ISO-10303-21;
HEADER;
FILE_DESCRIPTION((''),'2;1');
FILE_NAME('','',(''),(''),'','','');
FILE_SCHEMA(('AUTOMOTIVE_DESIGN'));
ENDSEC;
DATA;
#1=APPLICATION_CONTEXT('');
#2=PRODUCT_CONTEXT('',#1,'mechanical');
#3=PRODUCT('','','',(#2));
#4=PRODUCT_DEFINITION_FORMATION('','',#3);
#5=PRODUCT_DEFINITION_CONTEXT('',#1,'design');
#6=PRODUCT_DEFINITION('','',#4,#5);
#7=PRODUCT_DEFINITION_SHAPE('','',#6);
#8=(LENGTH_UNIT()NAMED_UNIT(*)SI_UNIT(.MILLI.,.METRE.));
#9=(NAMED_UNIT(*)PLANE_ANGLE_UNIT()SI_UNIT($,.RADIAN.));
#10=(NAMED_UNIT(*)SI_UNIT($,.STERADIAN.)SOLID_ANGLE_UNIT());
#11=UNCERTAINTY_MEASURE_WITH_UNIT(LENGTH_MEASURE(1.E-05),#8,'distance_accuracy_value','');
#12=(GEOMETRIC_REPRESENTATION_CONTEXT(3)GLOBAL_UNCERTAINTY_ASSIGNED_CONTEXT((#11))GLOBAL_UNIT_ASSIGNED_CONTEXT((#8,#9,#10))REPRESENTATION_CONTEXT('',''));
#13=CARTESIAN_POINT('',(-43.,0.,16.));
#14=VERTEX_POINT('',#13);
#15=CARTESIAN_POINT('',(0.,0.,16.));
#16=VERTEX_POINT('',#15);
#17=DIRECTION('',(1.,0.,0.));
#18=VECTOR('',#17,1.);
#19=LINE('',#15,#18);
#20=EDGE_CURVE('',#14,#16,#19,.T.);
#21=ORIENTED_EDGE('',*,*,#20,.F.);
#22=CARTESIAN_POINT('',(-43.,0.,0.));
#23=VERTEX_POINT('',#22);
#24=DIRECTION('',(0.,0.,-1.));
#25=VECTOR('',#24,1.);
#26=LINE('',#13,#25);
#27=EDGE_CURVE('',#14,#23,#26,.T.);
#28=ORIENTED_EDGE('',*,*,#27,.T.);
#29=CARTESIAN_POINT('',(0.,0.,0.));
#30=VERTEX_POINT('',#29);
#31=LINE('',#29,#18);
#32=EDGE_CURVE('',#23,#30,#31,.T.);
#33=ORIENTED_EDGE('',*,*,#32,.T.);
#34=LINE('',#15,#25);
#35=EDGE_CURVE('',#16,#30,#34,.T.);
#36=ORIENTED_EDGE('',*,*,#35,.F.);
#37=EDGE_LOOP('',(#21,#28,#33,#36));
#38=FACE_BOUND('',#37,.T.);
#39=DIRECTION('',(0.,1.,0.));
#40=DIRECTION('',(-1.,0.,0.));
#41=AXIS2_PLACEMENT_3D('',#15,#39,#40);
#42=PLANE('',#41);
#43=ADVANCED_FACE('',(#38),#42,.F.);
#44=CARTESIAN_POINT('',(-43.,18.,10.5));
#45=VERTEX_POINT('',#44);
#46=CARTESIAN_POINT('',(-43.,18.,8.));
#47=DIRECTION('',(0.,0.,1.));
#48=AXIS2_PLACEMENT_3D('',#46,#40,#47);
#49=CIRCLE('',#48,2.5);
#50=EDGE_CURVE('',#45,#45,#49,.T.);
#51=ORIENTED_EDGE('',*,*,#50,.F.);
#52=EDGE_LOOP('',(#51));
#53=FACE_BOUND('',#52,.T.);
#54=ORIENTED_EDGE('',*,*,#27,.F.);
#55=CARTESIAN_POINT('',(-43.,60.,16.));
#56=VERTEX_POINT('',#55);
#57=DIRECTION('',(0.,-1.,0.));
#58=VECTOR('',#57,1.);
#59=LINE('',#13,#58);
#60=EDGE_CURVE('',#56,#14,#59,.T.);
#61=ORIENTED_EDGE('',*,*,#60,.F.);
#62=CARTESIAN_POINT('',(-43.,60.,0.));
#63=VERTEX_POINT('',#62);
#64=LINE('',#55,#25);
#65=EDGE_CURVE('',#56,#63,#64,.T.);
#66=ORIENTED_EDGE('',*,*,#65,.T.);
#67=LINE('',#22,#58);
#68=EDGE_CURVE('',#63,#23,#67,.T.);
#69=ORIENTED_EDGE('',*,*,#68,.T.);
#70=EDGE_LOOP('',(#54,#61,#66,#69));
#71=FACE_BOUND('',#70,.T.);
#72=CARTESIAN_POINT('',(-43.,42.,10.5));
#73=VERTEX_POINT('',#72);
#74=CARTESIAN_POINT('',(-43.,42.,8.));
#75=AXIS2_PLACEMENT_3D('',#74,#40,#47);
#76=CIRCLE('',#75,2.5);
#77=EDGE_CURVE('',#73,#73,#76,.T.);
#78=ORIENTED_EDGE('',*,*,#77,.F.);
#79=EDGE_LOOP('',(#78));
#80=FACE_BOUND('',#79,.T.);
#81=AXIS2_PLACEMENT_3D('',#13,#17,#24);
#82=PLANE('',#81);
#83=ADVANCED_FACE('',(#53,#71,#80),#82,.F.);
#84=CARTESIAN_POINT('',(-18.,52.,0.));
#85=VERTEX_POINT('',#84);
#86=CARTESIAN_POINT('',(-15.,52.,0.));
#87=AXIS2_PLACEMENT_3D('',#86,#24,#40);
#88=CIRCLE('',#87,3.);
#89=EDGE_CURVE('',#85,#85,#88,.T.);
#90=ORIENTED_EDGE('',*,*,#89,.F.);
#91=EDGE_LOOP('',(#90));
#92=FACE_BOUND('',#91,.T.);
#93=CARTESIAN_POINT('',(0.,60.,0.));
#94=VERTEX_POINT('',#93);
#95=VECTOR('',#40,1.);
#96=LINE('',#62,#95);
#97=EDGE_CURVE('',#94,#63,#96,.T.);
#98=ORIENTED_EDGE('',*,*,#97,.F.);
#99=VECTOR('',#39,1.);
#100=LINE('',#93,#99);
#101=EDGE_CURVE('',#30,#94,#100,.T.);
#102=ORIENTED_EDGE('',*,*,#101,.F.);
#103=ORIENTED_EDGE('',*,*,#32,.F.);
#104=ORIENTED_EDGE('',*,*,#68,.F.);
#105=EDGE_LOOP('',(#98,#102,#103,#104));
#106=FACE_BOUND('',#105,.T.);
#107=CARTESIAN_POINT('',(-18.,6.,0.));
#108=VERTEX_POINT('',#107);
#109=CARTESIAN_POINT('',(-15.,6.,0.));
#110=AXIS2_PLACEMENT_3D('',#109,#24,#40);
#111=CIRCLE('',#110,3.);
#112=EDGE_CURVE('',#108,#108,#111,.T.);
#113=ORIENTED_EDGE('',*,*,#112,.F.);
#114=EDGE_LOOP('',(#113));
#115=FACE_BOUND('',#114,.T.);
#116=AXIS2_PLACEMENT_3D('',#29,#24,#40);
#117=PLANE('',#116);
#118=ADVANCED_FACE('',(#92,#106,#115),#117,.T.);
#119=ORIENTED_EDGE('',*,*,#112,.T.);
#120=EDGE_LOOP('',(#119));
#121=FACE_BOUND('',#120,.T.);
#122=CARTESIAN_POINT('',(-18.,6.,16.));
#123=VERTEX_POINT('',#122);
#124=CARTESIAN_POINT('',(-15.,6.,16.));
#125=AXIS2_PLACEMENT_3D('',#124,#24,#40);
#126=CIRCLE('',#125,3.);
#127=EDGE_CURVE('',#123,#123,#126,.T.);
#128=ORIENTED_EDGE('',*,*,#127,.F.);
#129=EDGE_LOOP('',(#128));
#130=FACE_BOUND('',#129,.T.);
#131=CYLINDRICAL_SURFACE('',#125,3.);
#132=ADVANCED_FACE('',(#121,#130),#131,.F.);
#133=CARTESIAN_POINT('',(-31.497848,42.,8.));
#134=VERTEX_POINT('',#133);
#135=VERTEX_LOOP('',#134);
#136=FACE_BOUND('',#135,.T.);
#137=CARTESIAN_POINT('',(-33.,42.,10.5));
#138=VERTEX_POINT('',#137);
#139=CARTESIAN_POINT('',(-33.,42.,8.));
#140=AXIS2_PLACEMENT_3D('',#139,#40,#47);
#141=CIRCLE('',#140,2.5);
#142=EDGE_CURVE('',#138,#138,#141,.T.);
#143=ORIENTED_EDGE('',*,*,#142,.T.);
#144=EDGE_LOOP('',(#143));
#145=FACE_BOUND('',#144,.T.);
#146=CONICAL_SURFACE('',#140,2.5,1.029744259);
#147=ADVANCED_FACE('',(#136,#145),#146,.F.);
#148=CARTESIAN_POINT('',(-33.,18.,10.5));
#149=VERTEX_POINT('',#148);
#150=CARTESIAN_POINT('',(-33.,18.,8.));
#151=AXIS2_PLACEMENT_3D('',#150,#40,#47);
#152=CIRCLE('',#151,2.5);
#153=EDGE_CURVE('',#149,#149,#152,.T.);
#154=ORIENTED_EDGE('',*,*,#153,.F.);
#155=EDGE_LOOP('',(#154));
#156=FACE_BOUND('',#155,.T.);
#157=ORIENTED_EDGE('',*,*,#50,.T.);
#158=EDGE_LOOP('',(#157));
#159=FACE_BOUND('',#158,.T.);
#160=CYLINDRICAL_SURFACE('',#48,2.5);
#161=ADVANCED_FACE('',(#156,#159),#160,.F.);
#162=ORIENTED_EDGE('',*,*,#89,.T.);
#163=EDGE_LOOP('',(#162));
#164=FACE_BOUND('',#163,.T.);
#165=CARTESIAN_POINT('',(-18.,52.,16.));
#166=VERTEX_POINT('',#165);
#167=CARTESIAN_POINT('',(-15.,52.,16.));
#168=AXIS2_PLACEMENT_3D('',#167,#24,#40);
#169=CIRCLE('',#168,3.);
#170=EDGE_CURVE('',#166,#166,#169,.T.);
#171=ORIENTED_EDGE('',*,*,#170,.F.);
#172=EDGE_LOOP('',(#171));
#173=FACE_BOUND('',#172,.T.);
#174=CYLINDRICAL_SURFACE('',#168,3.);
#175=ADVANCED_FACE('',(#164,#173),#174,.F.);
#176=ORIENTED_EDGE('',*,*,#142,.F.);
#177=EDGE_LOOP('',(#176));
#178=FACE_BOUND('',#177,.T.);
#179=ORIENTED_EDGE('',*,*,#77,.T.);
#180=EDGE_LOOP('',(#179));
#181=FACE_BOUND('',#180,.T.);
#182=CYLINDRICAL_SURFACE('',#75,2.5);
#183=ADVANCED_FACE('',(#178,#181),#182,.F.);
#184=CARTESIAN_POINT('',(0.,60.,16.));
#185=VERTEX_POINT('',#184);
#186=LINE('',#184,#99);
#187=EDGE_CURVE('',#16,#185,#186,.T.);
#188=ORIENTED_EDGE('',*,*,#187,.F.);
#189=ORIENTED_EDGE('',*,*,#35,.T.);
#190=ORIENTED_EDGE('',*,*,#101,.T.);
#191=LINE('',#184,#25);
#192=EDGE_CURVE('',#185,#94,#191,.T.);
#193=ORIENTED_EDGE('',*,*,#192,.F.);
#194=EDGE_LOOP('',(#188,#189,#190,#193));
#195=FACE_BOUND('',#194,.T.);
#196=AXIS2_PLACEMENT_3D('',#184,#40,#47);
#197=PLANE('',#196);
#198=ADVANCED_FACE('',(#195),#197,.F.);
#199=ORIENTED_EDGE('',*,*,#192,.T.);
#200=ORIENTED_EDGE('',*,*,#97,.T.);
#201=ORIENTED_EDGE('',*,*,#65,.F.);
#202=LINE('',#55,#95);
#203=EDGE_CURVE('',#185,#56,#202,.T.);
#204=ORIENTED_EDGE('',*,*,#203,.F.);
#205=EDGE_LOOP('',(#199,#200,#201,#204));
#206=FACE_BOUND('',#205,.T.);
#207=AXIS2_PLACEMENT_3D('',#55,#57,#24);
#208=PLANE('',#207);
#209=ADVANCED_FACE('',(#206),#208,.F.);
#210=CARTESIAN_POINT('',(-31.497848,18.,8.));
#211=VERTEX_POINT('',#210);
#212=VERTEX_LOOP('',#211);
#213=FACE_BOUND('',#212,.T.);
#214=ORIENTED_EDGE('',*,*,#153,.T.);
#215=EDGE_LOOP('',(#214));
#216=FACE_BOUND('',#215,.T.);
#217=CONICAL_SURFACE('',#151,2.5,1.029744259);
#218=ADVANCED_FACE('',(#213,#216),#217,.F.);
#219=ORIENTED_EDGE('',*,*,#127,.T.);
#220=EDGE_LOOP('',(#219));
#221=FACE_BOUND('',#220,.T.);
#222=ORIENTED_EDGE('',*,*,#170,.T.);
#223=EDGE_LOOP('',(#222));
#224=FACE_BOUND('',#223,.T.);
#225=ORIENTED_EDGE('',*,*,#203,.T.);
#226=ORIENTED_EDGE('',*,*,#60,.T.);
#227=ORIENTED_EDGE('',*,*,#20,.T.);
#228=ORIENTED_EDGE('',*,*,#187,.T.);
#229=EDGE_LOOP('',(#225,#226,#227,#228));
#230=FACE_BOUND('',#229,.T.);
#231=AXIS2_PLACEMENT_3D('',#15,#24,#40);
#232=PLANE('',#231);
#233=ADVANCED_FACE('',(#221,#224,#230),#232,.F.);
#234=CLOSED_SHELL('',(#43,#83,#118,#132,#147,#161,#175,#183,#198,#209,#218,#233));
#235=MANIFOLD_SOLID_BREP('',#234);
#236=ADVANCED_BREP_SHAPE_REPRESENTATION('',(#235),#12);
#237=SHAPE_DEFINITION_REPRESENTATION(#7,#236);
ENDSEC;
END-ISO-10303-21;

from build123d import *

# Parameters (mm, degrees)
SKETCH_1_W             = 43
SKETCH_1_H             = 60
EXTRUDE_3_DEPTH        = 16
SKETCH_2_R             = 3
CUT_EXTRUDE_1_DEPTH    = 76.531450403
HOLE_WIZARD_M6_1_D     = 5
HOLE_WIZARD_M6_1_DEPTH = 10
HOLE_WIZARD_M6_1_TIP   = 1.502151548


with BuildPart() as part:
    # 草图1 → 凸台-拉伸3 (new body)
    with BuildSketch(Plane.XY):
        with Locations((-21.5, 30)):
            Rectangle(SKETCH_1_W, SKETCH_1_H)
    extrude(amount=EXTRUDE_3_DEPTH)

    # 草图2 → 切除-拉伸1 (cut, through all)
    with BuildSketch(Plane(origin=(0, 0, 0), x_dir=(-1, 0, 0), z_dir=(0, 0, -1))):
        with Locations((15, 52)):
            Circle(SKETCH_2_R)
        with Locations((15, 6)):
            Circle(SKETCH_2_R)
    extrude(amount=-CUT_EXTRUDE_1_DEPTH, mode=Mode.SUBTRACT)

    # M6 螺纹孔1
    with Locations(Plane.ZY.offset(43)):
        with Locations((8, 42), (8, 18)):
            Hole(HOLE_WIZARD_M6_1_D / 2, depth=HOLE_WIZARD_M6_1_DEPTH)
            with Locations((0, 0, -(HOLE_WIZARD_M6_1_DEPTH + HOLE_WIZARD_M6_1_TIP / 2))):  # 118° drill point
                Cone(0, HOLE_WIZARD_M6_1_D / 2, HOLE_WIZARD_M6_1_TIP, mode=Mode.SUBTRACT)


solid = part.part
